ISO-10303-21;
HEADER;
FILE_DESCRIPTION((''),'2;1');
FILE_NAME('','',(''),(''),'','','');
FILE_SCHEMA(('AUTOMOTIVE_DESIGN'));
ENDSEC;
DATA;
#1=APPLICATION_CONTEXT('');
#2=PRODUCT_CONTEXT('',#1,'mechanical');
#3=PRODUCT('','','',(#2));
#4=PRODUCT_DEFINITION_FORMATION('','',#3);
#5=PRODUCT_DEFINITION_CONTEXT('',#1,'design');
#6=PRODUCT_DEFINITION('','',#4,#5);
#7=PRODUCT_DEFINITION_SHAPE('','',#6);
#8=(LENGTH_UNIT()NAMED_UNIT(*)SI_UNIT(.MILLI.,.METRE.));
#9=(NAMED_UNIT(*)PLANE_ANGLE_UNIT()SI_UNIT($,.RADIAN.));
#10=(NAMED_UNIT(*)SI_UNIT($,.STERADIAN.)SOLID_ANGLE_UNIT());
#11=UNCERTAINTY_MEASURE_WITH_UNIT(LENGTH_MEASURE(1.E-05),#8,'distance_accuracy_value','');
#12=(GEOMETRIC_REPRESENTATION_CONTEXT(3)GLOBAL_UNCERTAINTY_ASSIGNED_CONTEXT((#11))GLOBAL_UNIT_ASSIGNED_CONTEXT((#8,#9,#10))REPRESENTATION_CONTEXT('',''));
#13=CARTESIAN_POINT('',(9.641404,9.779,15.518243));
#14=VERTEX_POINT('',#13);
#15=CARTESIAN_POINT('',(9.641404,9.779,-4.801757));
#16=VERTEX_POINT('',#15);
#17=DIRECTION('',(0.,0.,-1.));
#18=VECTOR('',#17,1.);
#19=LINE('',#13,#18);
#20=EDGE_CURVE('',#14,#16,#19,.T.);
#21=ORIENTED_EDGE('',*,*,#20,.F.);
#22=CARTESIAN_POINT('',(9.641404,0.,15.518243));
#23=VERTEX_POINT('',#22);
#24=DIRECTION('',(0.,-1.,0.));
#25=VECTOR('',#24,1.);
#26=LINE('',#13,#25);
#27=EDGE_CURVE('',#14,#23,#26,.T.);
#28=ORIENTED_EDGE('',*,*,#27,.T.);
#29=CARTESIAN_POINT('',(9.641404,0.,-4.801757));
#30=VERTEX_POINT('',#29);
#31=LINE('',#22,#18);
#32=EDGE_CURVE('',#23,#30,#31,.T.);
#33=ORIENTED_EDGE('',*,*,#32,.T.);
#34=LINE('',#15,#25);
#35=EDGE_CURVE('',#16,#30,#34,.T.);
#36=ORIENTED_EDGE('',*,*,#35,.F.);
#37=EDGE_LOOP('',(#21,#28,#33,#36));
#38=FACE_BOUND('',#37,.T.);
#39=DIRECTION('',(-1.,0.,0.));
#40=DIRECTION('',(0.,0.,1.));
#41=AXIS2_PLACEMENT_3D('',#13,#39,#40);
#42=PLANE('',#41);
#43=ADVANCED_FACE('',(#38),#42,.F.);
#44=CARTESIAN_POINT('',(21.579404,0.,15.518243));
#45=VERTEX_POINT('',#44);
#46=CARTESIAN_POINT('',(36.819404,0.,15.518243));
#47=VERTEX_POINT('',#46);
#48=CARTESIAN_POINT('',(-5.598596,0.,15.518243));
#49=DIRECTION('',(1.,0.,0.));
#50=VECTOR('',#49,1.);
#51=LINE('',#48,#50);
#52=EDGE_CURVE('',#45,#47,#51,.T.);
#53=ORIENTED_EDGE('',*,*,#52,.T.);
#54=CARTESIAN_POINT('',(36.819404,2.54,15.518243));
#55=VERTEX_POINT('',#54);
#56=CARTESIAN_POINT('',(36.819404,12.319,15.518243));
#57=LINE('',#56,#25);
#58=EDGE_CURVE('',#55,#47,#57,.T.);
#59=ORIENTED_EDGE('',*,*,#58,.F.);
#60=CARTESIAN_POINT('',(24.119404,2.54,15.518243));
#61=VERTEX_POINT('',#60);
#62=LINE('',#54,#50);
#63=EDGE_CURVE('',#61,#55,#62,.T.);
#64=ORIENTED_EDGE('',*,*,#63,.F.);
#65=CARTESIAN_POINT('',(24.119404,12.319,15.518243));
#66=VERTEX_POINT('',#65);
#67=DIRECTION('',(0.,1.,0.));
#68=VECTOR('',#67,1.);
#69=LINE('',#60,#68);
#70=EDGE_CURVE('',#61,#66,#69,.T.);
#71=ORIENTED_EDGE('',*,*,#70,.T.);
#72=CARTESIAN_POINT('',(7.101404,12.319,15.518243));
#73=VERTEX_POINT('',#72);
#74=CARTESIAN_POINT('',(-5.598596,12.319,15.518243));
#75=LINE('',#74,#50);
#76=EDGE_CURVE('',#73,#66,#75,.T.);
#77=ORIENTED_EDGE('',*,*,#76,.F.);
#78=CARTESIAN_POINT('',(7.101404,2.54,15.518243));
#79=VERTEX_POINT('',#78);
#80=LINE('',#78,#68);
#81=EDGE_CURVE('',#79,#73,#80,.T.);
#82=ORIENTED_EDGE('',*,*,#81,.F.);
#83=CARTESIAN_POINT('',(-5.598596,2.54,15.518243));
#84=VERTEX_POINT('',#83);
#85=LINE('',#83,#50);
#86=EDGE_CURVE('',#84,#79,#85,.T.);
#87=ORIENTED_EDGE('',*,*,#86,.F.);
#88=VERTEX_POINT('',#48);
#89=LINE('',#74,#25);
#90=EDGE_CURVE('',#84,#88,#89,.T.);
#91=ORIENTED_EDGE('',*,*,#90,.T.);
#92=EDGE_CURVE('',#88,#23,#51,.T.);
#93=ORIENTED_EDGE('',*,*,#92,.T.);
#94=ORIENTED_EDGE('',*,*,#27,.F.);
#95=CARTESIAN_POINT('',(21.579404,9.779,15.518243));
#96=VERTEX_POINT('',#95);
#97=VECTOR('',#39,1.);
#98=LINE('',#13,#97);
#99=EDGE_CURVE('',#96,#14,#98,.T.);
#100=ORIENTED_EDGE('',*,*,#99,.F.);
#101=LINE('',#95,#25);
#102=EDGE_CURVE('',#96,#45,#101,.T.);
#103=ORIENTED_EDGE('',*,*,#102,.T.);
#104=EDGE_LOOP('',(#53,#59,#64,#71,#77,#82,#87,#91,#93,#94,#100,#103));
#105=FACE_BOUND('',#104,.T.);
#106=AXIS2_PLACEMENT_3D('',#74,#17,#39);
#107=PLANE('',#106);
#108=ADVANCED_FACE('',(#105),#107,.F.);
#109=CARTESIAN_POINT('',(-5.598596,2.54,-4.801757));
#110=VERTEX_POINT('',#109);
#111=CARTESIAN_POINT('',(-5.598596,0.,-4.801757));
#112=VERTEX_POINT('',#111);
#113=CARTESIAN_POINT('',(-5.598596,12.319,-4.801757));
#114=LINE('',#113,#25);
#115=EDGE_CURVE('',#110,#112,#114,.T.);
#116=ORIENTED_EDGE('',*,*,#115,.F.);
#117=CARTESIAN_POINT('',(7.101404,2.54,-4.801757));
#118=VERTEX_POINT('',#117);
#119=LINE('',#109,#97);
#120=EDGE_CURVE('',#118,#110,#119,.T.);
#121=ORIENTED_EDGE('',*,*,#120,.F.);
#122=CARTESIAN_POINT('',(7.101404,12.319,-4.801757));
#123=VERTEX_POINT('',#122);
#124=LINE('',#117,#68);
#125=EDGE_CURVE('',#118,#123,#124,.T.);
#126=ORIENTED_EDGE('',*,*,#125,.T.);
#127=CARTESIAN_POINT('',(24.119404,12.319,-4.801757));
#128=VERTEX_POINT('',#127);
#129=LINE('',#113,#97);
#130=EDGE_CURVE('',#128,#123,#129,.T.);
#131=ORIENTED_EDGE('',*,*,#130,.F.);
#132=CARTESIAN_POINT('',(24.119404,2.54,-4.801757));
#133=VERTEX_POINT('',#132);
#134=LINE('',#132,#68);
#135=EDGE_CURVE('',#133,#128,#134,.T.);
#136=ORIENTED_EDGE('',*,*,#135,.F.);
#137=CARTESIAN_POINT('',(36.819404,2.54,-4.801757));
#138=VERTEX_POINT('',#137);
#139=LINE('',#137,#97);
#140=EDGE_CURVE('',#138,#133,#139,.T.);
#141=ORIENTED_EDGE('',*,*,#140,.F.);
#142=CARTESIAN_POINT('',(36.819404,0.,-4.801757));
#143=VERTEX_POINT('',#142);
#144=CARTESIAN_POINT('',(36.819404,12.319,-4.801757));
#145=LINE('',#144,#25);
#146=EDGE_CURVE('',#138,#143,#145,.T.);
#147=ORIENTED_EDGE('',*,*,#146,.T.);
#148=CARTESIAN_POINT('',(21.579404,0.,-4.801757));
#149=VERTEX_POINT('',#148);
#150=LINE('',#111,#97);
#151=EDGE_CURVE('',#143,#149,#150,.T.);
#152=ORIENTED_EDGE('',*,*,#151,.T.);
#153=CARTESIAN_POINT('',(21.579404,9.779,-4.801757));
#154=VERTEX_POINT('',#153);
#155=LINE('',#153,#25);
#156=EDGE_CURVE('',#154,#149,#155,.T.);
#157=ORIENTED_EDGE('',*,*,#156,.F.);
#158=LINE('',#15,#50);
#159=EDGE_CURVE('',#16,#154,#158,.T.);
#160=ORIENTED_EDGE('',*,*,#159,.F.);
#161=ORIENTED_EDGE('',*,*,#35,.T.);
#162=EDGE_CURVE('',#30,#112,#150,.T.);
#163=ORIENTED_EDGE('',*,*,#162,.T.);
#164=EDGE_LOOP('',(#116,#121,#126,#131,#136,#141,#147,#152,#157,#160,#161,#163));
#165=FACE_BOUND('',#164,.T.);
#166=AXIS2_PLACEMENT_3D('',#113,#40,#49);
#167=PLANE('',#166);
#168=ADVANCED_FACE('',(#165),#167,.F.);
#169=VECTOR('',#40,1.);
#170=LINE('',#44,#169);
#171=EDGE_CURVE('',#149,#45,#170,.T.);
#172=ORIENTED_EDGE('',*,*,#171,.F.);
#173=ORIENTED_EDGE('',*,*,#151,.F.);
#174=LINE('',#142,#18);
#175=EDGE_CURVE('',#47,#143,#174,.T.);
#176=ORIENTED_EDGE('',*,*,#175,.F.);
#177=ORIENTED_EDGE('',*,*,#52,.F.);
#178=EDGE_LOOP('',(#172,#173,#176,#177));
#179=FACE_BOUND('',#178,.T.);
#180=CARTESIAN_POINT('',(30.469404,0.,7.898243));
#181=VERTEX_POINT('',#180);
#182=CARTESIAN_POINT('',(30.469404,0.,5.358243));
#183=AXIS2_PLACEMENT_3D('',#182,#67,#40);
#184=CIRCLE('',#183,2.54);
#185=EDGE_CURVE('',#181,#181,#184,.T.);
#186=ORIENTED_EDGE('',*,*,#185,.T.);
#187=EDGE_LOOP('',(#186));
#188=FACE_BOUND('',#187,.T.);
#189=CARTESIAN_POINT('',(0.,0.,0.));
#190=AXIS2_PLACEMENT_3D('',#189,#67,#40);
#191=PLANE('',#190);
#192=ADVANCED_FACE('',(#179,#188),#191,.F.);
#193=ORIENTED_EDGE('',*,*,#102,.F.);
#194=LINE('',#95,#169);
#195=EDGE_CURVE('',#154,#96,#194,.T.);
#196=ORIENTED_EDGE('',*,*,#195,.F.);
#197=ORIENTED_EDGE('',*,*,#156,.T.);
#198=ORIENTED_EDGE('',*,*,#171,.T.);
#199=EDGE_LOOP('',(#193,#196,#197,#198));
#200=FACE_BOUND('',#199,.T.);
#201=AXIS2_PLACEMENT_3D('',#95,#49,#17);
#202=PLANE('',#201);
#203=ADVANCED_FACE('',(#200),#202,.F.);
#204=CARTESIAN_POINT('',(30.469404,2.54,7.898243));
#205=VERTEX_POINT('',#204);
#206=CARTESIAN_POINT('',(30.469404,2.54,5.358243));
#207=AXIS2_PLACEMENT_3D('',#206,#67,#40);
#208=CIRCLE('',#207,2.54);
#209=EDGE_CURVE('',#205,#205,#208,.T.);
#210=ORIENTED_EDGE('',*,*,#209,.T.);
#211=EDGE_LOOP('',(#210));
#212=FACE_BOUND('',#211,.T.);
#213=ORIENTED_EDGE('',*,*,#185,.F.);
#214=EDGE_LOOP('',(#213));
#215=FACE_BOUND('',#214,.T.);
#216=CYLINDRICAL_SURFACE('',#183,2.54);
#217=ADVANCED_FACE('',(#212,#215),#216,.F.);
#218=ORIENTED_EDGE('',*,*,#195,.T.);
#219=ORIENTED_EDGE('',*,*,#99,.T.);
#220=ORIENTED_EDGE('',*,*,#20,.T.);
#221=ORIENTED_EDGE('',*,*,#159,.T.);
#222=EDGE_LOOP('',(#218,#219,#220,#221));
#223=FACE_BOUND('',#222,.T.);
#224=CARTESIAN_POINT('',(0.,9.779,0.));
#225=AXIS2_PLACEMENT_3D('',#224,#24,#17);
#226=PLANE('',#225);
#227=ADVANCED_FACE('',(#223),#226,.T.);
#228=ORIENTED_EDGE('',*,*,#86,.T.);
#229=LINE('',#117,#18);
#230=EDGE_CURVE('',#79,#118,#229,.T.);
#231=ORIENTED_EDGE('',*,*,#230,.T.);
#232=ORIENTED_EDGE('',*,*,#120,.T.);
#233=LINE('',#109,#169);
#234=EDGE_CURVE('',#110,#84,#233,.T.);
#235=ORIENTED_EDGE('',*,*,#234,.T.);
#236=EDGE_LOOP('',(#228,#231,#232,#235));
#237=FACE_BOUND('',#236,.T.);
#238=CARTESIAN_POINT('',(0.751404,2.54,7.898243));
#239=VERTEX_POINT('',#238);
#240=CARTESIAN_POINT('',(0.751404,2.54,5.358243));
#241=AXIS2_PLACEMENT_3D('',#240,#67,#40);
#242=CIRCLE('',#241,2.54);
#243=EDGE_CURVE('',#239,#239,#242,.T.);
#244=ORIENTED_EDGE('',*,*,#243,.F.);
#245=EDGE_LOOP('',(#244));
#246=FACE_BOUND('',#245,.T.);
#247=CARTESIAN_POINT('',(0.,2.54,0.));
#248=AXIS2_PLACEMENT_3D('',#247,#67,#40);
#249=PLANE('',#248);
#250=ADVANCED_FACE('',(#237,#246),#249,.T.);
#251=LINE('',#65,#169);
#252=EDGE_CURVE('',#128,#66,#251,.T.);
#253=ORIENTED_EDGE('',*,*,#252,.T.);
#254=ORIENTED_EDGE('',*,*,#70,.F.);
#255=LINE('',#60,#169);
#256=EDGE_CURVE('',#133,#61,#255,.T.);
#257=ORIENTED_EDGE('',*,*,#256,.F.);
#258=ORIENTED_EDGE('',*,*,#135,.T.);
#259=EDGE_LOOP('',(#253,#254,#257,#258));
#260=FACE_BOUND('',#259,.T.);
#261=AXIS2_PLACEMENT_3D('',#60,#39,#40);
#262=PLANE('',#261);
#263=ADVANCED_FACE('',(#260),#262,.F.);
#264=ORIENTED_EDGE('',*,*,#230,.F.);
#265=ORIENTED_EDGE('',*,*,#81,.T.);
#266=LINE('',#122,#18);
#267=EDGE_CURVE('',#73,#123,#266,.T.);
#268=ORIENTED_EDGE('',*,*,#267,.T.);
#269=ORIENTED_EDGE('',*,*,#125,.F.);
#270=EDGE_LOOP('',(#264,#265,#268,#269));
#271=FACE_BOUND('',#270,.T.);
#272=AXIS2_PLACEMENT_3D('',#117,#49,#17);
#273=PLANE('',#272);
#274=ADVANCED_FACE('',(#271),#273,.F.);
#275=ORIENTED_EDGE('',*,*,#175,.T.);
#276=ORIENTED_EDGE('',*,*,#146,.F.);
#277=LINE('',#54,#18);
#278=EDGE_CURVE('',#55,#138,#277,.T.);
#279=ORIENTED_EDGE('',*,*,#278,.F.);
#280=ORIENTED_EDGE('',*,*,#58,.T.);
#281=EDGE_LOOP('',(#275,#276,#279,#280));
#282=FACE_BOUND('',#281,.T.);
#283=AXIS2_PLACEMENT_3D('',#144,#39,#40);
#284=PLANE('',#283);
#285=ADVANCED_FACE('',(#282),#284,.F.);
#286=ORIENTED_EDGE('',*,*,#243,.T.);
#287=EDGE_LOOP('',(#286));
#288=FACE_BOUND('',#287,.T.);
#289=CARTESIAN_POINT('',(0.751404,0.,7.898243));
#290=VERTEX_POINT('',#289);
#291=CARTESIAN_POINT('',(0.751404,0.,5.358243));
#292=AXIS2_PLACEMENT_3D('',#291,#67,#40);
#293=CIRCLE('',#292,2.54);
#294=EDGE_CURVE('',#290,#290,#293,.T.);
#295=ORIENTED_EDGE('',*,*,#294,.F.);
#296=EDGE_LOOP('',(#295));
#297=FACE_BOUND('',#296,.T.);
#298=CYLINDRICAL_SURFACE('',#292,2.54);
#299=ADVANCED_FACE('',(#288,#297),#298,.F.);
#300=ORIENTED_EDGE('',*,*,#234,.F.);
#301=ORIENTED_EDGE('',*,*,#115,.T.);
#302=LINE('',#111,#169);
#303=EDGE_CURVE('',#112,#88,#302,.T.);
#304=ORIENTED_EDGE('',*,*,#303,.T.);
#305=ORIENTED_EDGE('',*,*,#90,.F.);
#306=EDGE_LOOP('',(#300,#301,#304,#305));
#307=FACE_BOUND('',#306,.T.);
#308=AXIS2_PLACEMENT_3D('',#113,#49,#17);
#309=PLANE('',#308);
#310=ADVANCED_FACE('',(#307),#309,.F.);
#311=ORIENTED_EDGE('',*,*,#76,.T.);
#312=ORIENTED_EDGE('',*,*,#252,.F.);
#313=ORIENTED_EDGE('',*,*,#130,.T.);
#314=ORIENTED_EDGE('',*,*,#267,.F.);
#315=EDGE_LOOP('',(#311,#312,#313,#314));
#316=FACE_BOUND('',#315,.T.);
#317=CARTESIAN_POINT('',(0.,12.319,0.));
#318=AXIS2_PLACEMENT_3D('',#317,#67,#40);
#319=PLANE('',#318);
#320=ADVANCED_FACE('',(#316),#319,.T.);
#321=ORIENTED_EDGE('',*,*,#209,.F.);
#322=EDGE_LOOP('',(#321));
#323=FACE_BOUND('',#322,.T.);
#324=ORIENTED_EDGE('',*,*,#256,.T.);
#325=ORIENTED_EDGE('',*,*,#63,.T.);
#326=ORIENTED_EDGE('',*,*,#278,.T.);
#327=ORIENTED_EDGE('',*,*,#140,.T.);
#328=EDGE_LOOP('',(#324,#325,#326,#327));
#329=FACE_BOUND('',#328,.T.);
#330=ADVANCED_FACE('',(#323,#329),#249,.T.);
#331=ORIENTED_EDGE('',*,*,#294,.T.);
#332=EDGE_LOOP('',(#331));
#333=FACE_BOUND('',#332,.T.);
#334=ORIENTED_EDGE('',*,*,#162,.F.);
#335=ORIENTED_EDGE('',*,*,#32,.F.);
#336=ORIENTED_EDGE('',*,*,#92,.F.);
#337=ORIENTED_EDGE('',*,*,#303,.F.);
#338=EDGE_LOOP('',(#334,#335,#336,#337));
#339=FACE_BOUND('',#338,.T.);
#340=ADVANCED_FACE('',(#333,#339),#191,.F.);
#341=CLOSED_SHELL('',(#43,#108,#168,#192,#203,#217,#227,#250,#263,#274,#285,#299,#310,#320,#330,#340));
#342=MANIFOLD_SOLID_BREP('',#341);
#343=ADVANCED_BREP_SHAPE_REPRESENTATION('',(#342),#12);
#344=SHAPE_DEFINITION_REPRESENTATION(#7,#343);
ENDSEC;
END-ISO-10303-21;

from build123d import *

# Parameters (mm, degrees)
SKETCH2_W           = 42.418
SKETCH2_H           = 20.32
BOSS_EXTRUDE1_DEPTH = 12.319
SKETCH5_W           = 12.7
SKETCH5_H           = 20.32
CUT_EXTRUDE1_DEPTH  = 9.779
SKETCH6_W           = 12.7
SKETCH6_H           = 20.32
CUT_EXTRUDE2_DEPTH  = 9.779
SKETCH7_W           = 11.938
SKETCH7_H           = 20.32
CUT_EXTRUDE3_DEPTH  = 9.779
SKETCH8_R           = 2.54
CUT_EXTRUDE4_DEPTH  = 2.54
SKETCH9_R           = 2.54
CUT_EXTRUDE5_DEPTH  = 2.54


with BuildPart() as part:
    # Sketch2 → Boss-Extrude1 (new body)
    with BuildSketch(Plane(origin=(0, 0, 0), x_dir=(1, 0, 0), z_dir=(0, 1, 0))):
        with Locations((15.610403741, -5.358242937)):
            Rectangle(SKETCH2_W, SKETCH2_H)
    extrude(amount=BOSS_EXTRUDE1_DEPTH)

    # Sketch5 → Cut-Extrude1 (cut)
    with BuildSketch(Plane(origin=(0, 12.319, 0), x_dir=(1, 0, 0), z_dir=(0, 1, 0))):
        with Locations((0.751403741, -5.358242937)):
            Rectangle(SKETCH5_W, SKETCH5_H)
    extrude(amount=-CUT_EXTRUDE1_DEPTH, mode=Mode.SUBTRACT)

    # Sketch6 → Cut-Extrude2 (cut)
    with BuildSketch(Plane(origin=(0, 12.319, 0), x_dir=(1, 0, 0), z_dir=(0, 1, 0))):
        with Locations((30.469403741, -5.358242937)):
            Rectangle(SKETCH6_W, SKETCH6_H)
    extrude(amount=-CUT_EXTRUDE2_DEPTH, mode=Mode.SUBTRACT)

    # Sketch7 → Cut-Extrude3 (cut)
    with BuildSketch(Plane(origin=(0, 0, 0), x_dir=(-1, 0, 0), z_dir=(0, -1, 0))):
        with Locations((-15.610403741, -5.358242937)):
            Rectangle(SKETCH7_W, SKETCH7_H)
    extrude(amount=-CUT_EXTRUDE3_DEPTH, mode=Mode.SUBTRACT)

    # Sketch8 → Cut-Extrude4 (cut)
    with BuildSketch(Plane(origin=(0, 2.54, 0), x_dir=(1, 0, 0), z_dir=(0, 1, 0))):
        with Locations(Location((0.751403741, -5.358242937, 0), (0, 0, 270))):
            Circle(SKETCH8_R)
    extrude(amount=-CUT_EXTRUDE4_DEPTH, mode=Mode.SUBTRACT)

    # Sketch9 → Cut-Extrude5 (cut)
    with BuildSketch(Plane(origin=(0, 2.54, 0), x_dir=(1, 0, 0), z_dir=(0, 1, 0))):
        with Locations(Location((30.469403741, -5.358242937, 0), (0, 0, 270))):
            Circle(SKETCH9_R)
    extrude(amount=-CUT_EXTRUDE5_DEPTH, mode=Mode.SUBTRACT)


solid = part.part
